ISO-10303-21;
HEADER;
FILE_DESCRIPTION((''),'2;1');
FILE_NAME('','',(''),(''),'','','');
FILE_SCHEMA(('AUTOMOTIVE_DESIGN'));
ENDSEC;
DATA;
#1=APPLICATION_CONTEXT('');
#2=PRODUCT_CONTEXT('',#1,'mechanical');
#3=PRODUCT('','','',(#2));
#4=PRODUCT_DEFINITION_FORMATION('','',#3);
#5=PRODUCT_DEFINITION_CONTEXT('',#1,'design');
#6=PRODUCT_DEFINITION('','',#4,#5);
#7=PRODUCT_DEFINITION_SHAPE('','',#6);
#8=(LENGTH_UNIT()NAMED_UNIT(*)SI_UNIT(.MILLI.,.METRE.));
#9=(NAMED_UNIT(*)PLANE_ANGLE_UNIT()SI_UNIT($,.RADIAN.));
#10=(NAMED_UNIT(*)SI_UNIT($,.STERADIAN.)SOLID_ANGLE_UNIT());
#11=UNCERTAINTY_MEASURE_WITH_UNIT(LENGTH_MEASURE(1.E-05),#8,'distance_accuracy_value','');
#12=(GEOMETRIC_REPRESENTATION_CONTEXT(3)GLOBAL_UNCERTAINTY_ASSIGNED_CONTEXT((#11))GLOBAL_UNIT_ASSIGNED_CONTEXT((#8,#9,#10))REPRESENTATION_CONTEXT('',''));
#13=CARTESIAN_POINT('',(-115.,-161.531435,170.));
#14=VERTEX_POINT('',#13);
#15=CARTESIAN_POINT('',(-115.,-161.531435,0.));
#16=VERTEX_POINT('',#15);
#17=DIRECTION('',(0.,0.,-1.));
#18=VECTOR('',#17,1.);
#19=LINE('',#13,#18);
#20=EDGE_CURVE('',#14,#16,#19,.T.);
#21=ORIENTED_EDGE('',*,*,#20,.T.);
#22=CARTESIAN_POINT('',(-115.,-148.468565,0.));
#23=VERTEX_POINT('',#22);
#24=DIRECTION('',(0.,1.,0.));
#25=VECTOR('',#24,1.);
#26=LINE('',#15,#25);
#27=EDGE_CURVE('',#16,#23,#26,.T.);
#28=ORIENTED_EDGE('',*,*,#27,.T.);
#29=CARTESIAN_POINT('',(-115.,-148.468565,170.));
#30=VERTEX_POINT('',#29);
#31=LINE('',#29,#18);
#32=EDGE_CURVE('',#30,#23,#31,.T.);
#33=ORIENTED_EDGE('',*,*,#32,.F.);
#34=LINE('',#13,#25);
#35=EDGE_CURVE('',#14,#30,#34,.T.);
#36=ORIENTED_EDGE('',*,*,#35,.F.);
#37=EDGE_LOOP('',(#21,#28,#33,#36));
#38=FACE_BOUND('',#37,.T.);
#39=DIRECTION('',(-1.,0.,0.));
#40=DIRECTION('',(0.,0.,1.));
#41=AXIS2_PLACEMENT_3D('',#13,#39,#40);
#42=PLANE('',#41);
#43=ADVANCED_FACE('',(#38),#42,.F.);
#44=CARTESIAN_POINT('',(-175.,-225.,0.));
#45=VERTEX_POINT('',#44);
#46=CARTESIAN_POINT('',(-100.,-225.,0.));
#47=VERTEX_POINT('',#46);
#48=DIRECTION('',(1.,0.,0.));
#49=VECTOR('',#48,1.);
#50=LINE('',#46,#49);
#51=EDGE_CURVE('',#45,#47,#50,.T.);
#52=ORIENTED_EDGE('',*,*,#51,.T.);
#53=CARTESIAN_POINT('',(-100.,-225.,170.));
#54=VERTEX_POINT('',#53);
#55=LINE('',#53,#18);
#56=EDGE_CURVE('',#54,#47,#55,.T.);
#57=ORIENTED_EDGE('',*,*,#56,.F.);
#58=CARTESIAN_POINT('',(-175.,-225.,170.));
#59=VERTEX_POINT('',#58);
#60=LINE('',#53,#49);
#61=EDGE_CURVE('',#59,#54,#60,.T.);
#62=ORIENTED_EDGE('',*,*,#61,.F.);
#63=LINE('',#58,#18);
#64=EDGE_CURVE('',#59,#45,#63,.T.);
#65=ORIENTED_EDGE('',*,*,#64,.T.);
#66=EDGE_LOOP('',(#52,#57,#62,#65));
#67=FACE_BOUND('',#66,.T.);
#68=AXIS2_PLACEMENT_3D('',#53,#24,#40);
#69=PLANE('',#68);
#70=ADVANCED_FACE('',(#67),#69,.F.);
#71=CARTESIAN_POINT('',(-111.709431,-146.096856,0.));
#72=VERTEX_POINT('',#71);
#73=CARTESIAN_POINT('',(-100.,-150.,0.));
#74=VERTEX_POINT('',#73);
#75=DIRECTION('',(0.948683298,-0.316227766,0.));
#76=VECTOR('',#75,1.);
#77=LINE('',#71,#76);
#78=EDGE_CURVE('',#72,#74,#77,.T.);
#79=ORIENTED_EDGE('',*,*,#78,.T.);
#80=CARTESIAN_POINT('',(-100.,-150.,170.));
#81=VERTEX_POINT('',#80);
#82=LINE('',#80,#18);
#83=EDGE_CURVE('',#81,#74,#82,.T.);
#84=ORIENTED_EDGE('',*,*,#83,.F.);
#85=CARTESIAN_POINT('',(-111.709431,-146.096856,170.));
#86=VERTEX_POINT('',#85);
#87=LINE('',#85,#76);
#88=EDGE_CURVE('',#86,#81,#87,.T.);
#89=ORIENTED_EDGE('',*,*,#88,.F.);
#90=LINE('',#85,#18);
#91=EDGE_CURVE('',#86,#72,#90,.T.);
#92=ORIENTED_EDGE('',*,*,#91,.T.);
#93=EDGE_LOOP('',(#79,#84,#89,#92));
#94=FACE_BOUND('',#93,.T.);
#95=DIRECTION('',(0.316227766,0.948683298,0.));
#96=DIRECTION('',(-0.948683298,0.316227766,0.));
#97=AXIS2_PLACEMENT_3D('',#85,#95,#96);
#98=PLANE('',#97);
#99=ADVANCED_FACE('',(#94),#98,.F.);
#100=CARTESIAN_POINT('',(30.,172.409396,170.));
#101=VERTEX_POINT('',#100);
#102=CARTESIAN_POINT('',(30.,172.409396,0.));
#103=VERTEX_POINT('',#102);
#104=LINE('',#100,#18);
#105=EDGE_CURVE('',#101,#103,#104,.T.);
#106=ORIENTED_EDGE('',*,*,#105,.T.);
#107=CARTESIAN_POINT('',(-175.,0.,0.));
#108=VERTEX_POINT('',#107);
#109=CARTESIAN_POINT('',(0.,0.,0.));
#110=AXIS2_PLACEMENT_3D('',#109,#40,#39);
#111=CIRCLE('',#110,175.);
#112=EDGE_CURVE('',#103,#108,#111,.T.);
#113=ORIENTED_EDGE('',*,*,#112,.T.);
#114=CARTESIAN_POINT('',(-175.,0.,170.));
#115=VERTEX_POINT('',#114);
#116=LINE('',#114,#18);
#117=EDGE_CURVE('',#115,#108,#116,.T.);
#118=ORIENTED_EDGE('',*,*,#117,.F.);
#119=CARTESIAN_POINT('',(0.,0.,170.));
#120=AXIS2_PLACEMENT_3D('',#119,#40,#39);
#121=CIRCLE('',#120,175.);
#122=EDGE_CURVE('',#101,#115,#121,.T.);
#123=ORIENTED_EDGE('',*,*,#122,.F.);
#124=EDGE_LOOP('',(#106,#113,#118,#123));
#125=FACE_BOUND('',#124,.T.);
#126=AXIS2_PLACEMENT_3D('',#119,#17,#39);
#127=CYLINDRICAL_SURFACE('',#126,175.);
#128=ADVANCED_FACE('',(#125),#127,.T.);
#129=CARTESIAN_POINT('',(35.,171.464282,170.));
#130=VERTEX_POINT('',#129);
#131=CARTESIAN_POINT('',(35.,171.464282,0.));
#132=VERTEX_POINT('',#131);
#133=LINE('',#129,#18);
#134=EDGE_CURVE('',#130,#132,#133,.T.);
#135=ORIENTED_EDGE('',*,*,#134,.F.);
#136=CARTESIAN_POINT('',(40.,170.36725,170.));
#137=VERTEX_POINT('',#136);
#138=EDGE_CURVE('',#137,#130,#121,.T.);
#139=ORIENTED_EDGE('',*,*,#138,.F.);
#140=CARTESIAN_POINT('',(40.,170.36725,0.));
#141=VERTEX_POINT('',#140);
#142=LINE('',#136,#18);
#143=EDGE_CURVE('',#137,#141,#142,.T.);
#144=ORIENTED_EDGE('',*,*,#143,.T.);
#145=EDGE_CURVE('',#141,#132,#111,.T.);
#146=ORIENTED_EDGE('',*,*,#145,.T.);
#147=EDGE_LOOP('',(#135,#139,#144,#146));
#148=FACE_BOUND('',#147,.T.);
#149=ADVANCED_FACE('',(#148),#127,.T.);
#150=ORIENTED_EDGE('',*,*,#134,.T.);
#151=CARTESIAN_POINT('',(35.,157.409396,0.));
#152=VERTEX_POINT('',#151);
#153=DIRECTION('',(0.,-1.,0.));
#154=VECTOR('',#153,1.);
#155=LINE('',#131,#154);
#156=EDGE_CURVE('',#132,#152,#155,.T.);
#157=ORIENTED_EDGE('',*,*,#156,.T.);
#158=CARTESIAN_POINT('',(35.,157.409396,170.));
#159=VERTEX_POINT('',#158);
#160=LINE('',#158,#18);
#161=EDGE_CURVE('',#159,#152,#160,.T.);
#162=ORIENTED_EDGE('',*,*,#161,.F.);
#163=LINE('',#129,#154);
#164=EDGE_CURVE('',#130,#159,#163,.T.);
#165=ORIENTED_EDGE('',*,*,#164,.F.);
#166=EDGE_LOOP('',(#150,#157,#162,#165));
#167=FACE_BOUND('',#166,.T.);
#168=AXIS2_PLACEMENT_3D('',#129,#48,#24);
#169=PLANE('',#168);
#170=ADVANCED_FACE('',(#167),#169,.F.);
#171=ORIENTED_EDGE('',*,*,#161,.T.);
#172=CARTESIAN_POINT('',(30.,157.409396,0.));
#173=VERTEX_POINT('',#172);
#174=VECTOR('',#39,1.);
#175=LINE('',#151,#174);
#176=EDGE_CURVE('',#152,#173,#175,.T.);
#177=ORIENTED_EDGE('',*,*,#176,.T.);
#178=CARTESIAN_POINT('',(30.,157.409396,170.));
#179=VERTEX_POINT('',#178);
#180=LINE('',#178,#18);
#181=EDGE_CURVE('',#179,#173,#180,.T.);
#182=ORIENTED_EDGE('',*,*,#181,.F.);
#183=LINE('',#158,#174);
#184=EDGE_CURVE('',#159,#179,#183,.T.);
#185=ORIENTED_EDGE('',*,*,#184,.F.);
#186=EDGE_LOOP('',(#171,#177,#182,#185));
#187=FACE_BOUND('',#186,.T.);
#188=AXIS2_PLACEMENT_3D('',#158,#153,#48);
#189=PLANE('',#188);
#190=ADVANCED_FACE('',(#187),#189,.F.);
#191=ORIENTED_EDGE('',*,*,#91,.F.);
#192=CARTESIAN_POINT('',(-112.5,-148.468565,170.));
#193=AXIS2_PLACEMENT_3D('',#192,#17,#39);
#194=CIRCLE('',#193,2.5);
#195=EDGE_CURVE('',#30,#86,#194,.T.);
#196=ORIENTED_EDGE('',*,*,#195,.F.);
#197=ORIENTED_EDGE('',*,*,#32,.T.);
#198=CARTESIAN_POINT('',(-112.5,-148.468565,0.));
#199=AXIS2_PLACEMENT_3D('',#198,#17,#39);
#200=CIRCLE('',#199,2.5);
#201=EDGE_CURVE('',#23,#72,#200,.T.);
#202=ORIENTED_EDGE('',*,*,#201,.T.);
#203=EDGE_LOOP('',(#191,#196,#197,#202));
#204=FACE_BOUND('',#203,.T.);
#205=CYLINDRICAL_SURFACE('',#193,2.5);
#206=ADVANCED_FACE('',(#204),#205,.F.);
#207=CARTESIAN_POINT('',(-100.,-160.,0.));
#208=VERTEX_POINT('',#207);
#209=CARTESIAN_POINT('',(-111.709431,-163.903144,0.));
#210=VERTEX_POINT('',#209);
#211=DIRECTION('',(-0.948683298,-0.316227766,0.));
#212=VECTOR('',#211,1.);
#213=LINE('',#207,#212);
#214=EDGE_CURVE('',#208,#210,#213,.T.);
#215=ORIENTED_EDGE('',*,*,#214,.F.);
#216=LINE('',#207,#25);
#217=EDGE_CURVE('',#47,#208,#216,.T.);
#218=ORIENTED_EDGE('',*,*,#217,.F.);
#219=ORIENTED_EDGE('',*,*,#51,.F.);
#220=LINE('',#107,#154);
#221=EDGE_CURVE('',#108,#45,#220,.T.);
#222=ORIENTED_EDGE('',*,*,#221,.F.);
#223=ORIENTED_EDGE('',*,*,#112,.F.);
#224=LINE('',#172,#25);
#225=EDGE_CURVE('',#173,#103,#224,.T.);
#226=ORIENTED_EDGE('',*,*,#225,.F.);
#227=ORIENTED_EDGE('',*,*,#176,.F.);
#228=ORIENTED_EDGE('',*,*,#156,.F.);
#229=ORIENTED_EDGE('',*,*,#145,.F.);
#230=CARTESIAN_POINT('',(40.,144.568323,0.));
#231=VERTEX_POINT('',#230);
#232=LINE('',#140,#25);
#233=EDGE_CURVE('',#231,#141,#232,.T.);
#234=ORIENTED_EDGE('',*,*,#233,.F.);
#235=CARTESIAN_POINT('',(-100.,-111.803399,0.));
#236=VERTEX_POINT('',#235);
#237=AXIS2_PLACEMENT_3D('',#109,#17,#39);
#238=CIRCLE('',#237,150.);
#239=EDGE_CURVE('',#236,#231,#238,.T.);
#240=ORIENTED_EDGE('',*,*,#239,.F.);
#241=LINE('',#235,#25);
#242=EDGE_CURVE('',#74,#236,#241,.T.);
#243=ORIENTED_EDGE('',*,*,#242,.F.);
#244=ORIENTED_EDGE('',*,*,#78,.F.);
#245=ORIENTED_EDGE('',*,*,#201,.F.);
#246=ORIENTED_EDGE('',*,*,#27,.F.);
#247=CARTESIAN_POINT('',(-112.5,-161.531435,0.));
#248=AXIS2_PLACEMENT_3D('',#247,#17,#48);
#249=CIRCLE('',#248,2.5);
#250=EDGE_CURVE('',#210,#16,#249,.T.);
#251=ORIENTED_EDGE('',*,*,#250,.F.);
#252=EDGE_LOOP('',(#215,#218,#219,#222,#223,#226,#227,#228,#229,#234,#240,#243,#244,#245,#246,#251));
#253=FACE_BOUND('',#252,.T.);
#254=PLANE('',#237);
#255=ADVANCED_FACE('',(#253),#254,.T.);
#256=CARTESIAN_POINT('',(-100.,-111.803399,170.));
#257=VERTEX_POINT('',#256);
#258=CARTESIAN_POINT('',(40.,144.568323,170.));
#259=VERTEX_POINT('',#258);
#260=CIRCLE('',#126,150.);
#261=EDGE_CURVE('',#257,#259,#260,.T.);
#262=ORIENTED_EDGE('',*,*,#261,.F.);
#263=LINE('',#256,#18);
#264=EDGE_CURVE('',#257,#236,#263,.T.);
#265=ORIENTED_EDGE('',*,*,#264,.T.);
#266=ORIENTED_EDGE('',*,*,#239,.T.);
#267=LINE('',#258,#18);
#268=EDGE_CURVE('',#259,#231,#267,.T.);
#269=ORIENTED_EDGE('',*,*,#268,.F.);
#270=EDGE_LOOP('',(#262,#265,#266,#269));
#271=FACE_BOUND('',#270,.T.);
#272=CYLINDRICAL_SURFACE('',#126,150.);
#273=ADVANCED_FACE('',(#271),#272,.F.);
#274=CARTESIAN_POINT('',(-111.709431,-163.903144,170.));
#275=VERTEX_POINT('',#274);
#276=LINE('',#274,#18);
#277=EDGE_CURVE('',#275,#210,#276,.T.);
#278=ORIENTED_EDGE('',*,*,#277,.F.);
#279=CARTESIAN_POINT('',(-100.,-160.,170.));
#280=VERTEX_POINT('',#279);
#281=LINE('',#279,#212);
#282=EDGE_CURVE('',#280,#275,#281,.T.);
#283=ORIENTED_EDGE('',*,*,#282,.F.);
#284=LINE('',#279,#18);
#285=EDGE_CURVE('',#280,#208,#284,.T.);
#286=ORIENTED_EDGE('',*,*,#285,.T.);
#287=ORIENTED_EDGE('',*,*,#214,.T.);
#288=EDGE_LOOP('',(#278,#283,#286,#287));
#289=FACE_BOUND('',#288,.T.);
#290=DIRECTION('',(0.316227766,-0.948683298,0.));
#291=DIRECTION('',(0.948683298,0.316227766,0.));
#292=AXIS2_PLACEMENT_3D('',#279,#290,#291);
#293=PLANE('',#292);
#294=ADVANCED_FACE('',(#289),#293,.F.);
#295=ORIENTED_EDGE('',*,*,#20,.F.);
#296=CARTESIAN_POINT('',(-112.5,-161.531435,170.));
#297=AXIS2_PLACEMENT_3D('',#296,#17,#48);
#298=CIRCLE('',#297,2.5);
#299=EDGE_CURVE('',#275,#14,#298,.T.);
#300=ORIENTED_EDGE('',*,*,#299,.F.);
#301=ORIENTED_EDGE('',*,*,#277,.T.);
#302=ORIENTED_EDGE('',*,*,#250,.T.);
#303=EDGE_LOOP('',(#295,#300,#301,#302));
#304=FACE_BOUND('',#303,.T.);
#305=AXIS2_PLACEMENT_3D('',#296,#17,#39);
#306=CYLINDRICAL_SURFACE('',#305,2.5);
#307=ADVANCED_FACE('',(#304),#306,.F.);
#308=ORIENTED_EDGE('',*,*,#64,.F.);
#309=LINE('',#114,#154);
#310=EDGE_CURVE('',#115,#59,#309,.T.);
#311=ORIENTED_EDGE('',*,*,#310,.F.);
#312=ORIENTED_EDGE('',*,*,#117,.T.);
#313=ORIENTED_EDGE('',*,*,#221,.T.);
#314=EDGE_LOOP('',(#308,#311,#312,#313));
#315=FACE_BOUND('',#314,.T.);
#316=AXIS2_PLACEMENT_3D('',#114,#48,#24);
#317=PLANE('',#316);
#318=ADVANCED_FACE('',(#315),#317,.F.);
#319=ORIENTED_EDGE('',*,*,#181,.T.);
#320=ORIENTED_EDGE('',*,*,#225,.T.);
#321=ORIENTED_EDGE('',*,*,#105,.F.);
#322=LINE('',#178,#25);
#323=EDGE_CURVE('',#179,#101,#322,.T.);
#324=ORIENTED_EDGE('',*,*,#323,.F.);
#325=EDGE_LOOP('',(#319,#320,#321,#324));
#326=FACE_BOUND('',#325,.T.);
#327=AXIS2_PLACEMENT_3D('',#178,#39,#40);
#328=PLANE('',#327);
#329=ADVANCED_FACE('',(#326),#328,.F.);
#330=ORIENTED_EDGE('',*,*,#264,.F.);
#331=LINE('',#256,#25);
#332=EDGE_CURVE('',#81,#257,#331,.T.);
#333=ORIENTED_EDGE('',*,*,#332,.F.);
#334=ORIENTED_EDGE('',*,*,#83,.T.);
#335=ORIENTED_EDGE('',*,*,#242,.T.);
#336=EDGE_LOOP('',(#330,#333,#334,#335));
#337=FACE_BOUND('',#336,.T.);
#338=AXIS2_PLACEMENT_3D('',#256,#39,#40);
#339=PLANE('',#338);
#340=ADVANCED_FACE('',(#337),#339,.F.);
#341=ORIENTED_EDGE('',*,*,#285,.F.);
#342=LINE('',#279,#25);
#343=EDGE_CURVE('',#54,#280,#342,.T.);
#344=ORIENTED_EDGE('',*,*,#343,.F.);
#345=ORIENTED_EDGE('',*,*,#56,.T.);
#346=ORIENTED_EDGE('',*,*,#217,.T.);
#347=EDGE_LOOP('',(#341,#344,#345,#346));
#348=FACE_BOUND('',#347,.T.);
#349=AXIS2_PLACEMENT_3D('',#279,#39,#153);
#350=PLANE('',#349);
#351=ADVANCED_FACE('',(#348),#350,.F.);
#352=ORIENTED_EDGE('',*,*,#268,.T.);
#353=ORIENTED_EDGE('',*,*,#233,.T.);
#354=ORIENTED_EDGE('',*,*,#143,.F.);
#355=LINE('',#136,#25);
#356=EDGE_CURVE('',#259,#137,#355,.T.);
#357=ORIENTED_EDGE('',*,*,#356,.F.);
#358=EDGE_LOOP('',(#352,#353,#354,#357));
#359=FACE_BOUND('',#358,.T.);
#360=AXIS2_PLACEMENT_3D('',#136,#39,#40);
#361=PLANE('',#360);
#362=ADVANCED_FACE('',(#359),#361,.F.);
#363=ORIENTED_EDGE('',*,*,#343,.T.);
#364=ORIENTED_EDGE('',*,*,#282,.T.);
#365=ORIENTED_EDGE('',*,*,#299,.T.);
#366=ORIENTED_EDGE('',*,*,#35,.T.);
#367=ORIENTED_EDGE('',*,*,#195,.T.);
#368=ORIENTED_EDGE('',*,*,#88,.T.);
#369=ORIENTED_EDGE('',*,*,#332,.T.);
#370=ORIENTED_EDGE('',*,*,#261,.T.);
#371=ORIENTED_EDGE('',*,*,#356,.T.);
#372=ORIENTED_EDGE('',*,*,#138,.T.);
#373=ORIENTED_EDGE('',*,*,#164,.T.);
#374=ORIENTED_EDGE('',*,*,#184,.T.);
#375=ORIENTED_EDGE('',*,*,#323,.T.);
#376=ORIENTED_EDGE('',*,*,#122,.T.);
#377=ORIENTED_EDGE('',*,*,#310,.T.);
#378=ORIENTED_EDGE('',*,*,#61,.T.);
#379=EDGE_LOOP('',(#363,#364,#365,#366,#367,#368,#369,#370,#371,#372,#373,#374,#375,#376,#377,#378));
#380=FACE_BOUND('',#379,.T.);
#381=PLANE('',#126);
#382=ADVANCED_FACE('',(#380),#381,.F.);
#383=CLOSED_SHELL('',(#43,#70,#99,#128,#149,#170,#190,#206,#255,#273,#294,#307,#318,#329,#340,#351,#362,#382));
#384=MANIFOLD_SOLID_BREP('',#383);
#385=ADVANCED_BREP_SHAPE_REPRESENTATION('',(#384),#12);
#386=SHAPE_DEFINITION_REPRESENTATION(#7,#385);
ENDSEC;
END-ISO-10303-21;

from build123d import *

# Parameters (mm, degrees)
INNER_RING_LEFT_SIDE_DEPTH = 170


with BuildPart() as part:
    # Sketch1 → Inner Ring - Left Side (new body)
    with BuildSketch(Plane.XY):
        with BuildLine():
            Line((-100, -111.803398875), (-100, -150))
            Line((-100, -150), (-111.709430585, -146.096856472))
            ThreePointArc((-111.709430585, -146.096856472), (-113.961775712, -146.440459254), (-115, -148.468564717))
            Line((-115, -148.468564717), (-115, -161.531435283))
            ThreePointArc((-115, -161.531435283), (-113.961775712, -163.559540746), (-111.709430585, -163.903143528))
            Line((-111.709430585, -163.903143528), (-100, -160))
            Line((-100, -160), (-100, -225))
            Line((-100, -225), (-175, -225))
            Line((-175, -225), (-175, 0))
            ThreePointArc((-175, 0), (-112.638803261, 133.93095236), (30, 172.409396496))
            Line((30, 172.409396496), (30, 157.409396496))
            Line((30, 157.409396496), (35, 157.409396496))
            Line((35, 157.409396496), (35, 171.464281995))
            ThreePointArc((35, 171.464281995), (37.50401138, 170.934049067), (40, 170.367250374))
            Line((40, 170.367250374), (40, 144.568322948))
            ThreePointArc((40, 144.568322948), (-131.649591483, 71.891481153), (-100, -111.803398875))
        make_face()
    extrude(amount=INNER_RING_LEFT_SIDE_DEPTH)


solid = part.part
